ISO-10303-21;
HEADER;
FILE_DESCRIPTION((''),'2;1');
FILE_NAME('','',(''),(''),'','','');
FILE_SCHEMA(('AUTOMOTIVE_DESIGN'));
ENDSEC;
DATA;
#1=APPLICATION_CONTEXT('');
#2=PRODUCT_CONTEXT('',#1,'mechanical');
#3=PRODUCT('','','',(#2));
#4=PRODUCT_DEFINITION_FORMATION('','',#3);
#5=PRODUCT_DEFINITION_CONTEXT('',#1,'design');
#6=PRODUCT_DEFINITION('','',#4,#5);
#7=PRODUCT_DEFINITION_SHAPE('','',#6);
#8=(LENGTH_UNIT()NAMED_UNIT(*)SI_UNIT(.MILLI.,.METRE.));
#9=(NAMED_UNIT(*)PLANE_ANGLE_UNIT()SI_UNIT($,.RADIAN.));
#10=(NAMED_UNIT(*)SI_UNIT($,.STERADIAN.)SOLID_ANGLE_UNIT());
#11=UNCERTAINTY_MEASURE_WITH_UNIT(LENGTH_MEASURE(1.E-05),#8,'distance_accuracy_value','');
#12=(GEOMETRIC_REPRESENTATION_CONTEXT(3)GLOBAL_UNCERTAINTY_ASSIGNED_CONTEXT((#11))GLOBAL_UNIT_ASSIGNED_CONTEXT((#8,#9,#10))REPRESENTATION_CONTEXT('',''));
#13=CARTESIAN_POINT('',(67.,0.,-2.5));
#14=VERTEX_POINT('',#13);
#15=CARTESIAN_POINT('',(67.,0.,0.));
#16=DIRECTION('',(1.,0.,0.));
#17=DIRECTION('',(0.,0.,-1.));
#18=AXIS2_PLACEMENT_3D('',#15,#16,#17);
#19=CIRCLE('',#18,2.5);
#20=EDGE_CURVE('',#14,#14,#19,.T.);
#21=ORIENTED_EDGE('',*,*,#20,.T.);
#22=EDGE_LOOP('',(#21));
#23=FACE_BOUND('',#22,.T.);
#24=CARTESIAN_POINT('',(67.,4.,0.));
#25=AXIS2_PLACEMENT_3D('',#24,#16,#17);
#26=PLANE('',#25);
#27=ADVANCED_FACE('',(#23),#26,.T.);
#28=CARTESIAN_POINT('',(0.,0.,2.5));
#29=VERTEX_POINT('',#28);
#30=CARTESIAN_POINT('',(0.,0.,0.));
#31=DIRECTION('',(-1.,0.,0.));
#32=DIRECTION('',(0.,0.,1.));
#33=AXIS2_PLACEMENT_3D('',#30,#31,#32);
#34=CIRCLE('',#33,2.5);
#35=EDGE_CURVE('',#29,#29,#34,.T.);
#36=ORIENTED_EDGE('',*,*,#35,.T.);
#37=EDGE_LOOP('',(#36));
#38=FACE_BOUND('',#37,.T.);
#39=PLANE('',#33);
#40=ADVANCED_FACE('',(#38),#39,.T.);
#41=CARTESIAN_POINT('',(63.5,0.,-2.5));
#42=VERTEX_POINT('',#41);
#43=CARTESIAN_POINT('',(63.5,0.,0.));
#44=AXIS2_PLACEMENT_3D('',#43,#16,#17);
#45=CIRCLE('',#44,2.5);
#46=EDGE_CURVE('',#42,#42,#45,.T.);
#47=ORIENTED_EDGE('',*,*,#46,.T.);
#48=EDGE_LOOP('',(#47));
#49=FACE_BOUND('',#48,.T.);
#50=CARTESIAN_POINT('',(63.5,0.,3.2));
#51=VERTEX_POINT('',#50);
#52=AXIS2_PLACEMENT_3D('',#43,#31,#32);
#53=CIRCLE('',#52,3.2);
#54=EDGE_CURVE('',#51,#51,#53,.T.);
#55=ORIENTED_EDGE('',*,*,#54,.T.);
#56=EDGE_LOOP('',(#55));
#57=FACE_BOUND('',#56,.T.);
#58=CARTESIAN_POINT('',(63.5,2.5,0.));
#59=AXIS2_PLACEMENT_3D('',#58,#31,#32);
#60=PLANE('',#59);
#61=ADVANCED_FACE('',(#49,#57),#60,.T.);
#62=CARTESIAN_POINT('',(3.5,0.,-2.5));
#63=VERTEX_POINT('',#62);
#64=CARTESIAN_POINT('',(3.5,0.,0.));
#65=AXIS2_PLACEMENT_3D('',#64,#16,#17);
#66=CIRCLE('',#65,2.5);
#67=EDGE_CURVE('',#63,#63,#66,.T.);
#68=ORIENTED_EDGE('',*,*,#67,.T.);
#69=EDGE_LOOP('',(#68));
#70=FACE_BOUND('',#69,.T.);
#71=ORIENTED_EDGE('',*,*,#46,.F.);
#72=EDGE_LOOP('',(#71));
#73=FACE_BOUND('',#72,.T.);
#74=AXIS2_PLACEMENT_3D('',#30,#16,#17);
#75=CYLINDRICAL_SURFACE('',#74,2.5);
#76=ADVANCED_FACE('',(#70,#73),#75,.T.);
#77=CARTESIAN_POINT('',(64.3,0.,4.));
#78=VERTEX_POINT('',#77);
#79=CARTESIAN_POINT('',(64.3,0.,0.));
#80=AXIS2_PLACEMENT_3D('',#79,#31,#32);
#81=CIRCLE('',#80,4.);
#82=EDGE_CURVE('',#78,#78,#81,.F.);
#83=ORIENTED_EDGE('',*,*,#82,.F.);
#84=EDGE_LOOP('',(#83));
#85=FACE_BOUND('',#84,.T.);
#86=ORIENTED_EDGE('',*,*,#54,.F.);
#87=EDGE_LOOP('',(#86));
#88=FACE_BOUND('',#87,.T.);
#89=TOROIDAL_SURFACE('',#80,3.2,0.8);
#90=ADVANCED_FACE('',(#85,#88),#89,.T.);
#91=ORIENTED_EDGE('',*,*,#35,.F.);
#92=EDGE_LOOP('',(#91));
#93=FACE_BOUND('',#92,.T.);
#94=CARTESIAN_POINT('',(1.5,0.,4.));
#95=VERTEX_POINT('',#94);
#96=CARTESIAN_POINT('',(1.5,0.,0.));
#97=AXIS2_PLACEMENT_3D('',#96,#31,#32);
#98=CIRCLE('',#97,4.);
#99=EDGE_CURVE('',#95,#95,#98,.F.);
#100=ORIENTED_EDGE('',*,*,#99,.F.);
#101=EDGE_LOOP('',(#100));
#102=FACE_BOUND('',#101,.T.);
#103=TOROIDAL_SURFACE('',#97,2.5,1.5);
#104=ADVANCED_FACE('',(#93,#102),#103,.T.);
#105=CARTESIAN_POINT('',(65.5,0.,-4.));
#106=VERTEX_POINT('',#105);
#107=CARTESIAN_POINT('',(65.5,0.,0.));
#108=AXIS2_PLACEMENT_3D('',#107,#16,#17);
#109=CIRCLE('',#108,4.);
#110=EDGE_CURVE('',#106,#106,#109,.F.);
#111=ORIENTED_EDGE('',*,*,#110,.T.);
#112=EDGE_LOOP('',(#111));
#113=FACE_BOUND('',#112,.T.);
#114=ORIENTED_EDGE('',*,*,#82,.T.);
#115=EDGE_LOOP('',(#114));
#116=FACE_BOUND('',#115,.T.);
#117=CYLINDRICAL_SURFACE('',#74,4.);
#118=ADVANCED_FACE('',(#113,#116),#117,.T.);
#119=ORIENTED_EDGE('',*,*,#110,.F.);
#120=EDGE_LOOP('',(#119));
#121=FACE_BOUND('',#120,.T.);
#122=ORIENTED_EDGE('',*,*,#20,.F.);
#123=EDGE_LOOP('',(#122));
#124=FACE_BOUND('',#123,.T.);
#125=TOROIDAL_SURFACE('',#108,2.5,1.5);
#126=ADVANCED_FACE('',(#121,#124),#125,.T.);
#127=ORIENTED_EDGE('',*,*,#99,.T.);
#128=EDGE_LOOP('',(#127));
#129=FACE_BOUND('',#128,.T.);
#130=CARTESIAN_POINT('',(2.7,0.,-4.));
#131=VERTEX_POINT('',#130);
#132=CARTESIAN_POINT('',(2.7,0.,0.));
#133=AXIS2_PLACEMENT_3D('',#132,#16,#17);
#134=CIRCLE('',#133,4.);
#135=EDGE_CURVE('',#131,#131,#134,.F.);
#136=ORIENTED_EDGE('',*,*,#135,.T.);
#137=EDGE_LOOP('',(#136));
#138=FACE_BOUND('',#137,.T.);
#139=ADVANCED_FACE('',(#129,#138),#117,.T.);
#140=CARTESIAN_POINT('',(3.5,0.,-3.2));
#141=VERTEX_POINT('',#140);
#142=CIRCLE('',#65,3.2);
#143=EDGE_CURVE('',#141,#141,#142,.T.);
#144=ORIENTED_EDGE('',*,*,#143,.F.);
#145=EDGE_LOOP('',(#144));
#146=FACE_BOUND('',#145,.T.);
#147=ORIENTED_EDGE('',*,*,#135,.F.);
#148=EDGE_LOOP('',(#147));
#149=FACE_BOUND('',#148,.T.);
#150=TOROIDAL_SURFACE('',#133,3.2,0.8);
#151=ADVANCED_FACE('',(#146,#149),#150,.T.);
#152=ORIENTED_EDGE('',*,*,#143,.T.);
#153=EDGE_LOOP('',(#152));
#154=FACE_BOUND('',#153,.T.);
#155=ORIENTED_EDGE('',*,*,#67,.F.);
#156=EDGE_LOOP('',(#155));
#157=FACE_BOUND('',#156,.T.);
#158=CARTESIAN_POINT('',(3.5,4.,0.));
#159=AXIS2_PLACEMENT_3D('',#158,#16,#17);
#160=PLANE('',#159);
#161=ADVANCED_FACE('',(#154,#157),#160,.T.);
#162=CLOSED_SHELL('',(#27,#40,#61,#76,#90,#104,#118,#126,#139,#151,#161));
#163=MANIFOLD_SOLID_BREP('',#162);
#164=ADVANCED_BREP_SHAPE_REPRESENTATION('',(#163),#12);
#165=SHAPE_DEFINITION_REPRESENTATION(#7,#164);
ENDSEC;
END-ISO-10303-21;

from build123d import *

# Parameters (mm, degrees)
FILLET_1_R = 0.8
FILLET_2_R = 1.5


with BuildPart() as part:
    # Эскиз1 → Повернуть1 (revolve)
    with BuildSketch(Plane.XY, mode=Mode.PRIVATE) as revolve_1_sk:
        Polygon((0, 0), (0, 4), (3.5, 4), (3.5, 2.5), (63.5, 2.5), (63.5, 4), (67, 4), (67, 0), align=None)
    revolve(revolve_1_sk.sketch.rotate(Axis((0, 0, 0), (-1, 0, 0)), 90), axis=Axis((0, 0, 0), (-1, 0, 0)))

    # Скругление1
    fillet_1_edges = [part.edges().sort_by_distance(p)[0] for p in [
        (63.5, 0, 4),
        (3.5, 0, 4),
    ]]
    fillet(fillet_1_edges, radius=FILLET_1_R)

    # Скругление2
    fillet_2_edges = [part.edges().sort_by_distance(p)[0] for p in [
        (67, 0, 4),
        (0, 0, 4),
    ]]
    fillet(fillet_2_edges, radius=FILLET_2_R)


solid = part.part
